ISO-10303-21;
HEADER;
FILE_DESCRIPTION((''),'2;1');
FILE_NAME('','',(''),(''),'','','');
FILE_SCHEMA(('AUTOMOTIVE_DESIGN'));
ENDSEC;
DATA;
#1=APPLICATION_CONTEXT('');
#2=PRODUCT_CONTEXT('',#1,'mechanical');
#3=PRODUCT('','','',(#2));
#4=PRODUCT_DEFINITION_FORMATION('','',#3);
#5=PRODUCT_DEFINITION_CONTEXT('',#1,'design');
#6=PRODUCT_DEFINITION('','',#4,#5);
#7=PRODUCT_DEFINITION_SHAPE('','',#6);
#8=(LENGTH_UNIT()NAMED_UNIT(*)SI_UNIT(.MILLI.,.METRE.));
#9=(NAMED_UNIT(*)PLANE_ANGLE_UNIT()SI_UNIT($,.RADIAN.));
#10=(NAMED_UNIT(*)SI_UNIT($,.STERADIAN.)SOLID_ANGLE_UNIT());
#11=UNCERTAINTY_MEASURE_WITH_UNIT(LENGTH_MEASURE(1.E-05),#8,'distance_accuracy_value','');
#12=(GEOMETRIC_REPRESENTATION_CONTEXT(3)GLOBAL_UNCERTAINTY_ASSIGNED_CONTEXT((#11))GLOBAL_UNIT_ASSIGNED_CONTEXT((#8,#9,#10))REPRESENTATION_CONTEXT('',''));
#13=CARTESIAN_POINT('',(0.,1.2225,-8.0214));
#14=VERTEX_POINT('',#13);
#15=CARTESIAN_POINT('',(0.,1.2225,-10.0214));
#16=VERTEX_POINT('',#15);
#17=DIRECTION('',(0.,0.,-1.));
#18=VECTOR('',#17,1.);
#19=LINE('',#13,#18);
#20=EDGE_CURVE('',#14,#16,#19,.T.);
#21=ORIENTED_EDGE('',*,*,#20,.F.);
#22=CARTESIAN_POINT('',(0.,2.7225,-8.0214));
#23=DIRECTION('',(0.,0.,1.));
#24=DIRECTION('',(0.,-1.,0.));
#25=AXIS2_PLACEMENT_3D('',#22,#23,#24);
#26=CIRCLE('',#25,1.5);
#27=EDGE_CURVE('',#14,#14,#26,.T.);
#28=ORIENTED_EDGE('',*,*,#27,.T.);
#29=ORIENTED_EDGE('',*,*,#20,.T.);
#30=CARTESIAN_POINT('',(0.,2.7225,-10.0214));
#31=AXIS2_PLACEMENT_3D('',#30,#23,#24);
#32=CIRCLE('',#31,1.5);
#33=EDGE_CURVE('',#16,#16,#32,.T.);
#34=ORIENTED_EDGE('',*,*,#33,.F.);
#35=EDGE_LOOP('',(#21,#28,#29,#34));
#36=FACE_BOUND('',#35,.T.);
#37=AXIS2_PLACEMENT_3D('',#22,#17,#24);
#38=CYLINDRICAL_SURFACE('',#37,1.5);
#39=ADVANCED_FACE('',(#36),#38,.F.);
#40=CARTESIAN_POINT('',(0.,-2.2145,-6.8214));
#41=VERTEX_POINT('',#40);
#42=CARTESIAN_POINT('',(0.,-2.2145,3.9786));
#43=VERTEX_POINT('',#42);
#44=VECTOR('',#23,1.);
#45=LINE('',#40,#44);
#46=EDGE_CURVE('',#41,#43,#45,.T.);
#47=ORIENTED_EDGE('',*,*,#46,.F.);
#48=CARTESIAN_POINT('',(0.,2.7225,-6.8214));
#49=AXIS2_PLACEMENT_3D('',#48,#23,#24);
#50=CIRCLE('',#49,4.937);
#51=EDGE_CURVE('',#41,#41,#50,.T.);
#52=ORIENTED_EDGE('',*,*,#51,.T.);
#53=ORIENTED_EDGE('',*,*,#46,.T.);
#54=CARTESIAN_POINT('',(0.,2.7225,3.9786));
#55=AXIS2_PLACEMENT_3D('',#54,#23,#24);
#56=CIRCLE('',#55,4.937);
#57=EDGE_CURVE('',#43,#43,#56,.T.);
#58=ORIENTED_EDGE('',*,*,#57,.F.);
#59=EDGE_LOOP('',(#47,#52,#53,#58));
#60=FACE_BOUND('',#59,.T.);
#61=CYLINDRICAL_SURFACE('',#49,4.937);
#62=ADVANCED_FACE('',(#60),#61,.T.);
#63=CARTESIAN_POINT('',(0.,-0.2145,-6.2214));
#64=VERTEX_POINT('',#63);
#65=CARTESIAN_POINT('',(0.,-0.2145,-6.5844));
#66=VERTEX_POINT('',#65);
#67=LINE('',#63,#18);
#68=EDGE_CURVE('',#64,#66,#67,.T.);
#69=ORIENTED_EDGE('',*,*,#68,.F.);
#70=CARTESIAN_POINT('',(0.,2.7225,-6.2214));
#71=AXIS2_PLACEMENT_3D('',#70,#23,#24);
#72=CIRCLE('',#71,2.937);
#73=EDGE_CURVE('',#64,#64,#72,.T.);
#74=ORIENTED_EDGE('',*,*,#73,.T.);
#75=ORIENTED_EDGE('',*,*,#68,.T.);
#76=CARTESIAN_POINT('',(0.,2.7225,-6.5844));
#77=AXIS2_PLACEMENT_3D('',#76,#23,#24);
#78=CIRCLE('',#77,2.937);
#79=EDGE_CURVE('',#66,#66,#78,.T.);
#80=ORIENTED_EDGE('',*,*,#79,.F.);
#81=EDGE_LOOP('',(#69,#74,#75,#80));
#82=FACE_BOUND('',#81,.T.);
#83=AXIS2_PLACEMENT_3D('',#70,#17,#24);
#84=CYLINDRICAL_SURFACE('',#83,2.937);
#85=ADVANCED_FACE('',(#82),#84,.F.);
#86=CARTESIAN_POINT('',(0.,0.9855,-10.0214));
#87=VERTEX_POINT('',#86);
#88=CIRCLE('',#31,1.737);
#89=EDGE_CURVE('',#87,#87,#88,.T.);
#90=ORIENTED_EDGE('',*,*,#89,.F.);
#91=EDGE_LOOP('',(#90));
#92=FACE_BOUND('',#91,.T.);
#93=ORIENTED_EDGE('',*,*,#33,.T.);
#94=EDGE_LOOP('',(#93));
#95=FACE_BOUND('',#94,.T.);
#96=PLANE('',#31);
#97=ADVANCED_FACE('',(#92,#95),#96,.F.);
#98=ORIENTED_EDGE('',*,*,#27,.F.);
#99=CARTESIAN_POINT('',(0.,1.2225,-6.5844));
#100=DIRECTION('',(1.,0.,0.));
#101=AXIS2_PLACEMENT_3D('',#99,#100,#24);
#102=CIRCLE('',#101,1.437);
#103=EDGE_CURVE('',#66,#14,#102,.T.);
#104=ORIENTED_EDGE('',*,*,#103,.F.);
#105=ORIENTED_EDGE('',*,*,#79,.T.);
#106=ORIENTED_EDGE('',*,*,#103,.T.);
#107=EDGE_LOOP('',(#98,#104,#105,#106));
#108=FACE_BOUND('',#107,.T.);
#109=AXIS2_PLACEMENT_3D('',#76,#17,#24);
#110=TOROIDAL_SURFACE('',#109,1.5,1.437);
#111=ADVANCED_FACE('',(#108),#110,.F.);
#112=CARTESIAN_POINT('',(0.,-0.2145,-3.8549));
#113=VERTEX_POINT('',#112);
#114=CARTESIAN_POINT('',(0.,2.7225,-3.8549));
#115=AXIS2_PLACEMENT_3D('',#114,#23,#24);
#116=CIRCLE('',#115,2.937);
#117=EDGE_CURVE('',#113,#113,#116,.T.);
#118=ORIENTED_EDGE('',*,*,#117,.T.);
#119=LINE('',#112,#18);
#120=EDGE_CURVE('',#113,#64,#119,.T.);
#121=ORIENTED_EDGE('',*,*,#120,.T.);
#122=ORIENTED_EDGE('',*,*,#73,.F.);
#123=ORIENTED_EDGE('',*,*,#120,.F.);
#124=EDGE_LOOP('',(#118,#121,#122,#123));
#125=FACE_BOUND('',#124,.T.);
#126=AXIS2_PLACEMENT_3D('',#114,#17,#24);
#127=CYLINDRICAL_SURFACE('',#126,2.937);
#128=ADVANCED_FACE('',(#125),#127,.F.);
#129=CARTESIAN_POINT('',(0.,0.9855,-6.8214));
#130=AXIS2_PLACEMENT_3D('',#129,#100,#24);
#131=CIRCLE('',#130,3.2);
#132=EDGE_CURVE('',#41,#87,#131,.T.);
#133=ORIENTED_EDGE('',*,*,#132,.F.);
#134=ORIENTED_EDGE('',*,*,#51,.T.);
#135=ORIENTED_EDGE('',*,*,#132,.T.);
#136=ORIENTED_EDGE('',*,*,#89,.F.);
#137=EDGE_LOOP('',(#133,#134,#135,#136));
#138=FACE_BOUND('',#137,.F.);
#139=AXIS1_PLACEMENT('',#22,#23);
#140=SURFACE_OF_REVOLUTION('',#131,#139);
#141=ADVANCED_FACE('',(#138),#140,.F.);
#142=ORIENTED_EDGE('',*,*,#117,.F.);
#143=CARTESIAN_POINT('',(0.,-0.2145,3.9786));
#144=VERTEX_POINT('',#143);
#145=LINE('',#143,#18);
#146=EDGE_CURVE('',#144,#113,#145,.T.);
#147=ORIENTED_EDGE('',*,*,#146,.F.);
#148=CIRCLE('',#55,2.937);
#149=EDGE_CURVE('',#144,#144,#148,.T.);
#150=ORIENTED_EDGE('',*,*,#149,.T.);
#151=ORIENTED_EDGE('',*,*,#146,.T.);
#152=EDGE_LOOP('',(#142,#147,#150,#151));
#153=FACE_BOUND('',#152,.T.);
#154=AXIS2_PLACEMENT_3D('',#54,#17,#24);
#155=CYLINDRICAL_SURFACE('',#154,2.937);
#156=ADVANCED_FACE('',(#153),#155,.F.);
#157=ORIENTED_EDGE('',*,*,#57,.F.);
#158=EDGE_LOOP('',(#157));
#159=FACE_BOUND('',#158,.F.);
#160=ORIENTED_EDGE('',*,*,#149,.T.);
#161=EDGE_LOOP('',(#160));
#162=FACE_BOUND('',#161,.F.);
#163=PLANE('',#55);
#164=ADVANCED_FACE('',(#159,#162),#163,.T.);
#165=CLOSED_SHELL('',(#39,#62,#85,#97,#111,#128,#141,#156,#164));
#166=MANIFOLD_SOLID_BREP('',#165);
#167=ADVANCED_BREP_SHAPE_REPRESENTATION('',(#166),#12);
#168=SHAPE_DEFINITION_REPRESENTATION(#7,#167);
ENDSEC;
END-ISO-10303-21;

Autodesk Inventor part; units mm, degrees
ref_plane "YZ Plane" through (0, 0, 0) normal (1, 0, 0) x (0, 1, 0)
ref_plane "XZ Plane" through (0, 0, 0) normal (0, 1, 0) x (-1, 0, 0)
ref_plane "XY Plane" through (0, 0, 0) normal (0, 0, 1) x (1, 0, 0)
sketch "Эскиз1" plane through (0, 0, 0) normal (1, 0, 0) x (0, 1, 0)
  line L0 (-2.2145, -6.8214) -> (-2.2145, 3.9786)
  arc A0 (-2.2145, -6.8214) -> (0.9855, -10.0214) centre (0.9855, -6.8214) ccw
  line L1 (2.7225, -8.0214) -> (2.7225, 3.9786)
  line L2 (-0.2145, 3.9786) -> (-0.2145, -3.8549)
  line L3 (-0.2145, -3.8549) -> (-0.2145, -6.2214)
  line L4 (-0.2145, -6.2214) -> (-0.2145, -6.5844)
  line L5 (1.5855, -8.0214) -> (1.2225, -8.0214)
  arc A1 (-0.2145, -6.5844) -> (1.2225, -8.0214) centre (1.2225, -6.5844) ccw
  line L6 (2.7225, -8.0214) -> (2.7225, 3.9786)
  line L7 (1.2225, -8.0214) -> (1.2225, -10.0214)
  line L8 (1.2225, -10.0214) -> (0.9855, -10.0214)
  line L9 (-0.2145, 3.9786) -> (-2.2145, 3.9786)
  point P0 (1.2855, -8.0214)
  dimension "d1" = 3.2
  dimension "d3" = 14
  dimension "d9" = 2
  dimension "d14" = 1.437
  dimension "d16" = 1.5
sketch "Эскиз2" plane through (0, 0, 0) normal (1, 0, 0) x (0, 1, 0)
  point P0 (0, 0)
sketch "Эскиз3" plane through (0, 0, 0) normal (1, 0, 0) x (0, 1, 0)
  point P0 (0, 0)
sketch "Эскиз4" plane through (0, 0, 0) normal (1, 0, 0) x (0, 1, 0)
  point P0 (0, 0)
revolve "Вращение1" add sketch "Эскиз1" angle 360 about axis through (0, 2.7225, -8.0214) along (0, 0, 1)
properties part number "Задание номер 12"
